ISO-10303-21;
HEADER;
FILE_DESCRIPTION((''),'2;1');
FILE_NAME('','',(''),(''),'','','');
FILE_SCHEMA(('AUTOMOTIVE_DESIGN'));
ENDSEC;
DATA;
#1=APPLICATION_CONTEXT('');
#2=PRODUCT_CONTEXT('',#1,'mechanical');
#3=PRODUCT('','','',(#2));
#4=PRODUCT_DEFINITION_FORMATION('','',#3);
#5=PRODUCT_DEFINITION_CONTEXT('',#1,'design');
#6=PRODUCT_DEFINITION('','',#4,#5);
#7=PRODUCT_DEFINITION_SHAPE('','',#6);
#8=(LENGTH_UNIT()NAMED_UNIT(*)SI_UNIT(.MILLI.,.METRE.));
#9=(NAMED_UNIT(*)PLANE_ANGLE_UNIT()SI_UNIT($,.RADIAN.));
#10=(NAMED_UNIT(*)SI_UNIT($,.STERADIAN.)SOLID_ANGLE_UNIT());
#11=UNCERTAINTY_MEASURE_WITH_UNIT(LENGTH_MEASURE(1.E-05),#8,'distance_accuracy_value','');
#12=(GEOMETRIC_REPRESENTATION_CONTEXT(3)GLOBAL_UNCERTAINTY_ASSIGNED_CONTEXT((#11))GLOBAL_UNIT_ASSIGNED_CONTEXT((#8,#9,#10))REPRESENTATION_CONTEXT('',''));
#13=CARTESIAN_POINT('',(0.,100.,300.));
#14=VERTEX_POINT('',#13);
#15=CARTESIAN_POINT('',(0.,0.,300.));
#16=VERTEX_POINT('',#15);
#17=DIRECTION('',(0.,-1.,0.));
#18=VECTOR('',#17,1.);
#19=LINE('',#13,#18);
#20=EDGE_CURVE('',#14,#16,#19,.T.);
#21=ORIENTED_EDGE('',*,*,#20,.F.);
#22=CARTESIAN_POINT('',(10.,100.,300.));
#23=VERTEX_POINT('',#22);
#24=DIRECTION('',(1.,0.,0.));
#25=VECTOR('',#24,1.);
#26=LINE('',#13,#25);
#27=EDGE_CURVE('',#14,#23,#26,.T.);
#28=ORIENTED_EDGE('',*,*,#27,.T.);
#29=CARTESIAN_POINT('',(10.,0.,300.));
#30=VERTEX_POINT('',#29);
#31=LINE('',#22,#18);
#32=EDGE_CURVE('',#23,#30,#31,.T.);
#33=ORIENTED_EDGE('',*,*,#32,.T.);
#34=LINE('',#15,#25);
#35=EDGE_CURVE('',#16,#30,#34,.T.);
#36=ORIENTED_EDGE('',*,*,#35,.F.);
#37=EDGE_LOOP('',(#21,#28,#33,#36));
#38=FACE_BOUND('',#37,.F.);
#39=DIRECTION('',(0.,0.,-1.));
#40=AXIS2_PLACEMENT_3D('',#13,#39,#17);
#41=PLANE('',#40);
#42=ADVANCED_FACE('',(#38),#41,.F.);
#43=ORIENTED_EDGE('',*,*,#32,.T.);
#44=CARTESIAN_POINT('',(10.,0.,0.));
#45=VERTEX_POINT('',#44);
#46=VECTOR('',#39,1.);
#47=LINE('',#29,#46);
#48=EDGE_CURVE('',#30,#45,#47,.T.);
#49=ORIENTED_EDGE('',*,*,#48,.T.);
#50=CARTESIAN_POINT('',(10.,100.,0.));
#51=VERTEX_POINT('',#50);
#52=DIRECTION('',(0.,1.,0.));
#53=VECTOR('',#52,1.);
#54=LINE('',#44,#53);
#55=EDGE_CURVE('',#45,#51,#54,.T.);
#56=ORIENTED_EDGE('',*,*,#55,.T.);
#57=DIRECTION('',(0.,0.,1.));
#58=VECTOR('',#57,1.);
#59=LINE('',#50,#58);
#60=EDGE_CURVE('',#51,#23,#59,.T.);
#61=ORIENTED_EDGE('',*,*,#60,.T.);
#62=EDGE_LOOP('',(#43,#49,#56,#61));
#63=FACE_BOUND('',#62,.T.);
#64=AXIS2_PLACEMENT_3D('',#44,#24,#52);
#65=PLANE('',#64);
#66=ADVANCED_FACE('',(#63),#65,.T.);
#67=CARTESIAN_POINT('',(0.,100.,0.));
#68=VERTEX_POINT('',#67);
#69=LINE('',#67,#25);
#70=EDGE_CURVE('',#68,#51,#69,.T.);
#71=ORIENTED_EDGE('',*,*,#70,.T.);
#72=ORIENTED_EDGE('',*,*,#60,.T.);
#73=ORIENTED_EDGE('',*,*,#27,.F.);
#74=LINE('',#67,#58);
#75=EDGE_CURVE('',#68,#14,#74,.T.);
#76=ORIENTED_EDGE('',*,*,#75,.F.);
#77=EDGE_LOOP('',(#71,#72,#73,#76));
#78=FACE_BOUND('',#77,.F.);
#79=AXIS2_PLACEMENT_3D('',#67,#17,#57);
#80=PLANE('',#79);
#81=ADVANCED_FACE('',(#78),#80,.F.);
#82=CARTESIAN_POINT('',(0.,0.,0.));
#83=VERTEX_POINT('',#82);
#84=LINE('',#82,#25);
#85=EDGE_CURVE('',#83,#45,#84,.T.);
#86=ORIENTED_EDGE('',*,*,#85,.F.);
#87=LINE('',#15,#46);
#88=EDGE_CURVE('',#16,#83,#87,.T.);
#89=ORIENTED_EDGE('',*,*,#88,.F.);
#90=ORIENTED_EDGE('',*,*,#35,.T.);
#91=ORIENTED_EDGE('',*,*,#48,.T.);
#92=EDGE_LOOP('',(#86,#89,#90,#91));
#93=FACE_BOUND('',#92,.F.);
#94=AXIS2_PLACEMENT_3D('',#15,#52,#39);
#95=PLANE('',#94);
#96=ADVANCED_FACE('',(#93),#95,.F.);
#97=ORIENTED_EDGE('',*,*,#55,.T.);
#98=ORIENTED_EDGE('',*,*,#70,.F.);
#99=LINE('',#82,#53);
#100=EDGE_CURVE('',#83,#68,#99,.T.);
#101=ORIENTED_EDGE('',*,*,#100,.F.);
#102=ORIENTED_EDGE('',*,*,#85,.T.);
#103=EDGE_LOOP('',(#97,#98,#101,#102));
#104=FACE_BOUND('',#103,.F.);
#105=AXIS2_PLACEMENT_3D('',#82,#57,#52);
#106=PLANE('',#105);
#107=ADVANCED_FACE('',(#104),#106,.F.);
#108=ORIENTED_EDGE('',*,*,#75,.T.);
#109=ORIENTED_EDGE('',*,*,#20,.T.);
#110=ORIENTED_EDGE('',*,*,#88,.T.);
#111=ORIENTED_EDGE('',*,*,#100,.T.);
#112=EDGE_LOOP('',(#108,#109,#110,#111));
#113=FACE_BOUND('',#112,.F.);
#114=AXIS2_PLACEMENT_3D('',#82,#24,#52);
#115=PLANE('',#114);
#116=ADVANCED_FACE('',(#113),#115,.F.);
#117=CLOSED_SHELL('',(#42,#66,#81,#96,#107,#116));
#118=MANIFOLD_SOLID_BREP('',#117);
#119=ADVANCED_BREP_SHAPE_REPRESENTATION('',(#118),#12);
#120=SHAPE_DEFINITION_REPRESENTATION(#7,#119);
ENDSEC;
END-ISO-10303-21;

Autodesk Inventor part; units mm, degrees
ref_plane "YZ Plane" through (0, 0, 0) normal (1, 0, 0) x (0, 1, 0)
ref_plane "XZ Plane" through (0, 0, 0) normal (0, 1, 0) x (-1, 0, 0)
ref_plane "XY Plane" through (0, 0, 0) normal (0, 0, 1) x (1, 0, 0)
sketch "Sketch1" plane through (0, 0, 0) normal (1, 0, 0) x (0, 1, 0)
  line L0 (0, 0) -> (100, 0)
  line L1 (100, 0) -> (100, 300)
  line L2 (100, 300) -> (0, 300)
  line L3 (0, 300) -> (0, 0)
  dimension "d1" = 100
  dimension "d2" = 300
extrude "Extrusion1" add sketch "Sketch1" along normal blind 10
properties part number "mallet_side"
